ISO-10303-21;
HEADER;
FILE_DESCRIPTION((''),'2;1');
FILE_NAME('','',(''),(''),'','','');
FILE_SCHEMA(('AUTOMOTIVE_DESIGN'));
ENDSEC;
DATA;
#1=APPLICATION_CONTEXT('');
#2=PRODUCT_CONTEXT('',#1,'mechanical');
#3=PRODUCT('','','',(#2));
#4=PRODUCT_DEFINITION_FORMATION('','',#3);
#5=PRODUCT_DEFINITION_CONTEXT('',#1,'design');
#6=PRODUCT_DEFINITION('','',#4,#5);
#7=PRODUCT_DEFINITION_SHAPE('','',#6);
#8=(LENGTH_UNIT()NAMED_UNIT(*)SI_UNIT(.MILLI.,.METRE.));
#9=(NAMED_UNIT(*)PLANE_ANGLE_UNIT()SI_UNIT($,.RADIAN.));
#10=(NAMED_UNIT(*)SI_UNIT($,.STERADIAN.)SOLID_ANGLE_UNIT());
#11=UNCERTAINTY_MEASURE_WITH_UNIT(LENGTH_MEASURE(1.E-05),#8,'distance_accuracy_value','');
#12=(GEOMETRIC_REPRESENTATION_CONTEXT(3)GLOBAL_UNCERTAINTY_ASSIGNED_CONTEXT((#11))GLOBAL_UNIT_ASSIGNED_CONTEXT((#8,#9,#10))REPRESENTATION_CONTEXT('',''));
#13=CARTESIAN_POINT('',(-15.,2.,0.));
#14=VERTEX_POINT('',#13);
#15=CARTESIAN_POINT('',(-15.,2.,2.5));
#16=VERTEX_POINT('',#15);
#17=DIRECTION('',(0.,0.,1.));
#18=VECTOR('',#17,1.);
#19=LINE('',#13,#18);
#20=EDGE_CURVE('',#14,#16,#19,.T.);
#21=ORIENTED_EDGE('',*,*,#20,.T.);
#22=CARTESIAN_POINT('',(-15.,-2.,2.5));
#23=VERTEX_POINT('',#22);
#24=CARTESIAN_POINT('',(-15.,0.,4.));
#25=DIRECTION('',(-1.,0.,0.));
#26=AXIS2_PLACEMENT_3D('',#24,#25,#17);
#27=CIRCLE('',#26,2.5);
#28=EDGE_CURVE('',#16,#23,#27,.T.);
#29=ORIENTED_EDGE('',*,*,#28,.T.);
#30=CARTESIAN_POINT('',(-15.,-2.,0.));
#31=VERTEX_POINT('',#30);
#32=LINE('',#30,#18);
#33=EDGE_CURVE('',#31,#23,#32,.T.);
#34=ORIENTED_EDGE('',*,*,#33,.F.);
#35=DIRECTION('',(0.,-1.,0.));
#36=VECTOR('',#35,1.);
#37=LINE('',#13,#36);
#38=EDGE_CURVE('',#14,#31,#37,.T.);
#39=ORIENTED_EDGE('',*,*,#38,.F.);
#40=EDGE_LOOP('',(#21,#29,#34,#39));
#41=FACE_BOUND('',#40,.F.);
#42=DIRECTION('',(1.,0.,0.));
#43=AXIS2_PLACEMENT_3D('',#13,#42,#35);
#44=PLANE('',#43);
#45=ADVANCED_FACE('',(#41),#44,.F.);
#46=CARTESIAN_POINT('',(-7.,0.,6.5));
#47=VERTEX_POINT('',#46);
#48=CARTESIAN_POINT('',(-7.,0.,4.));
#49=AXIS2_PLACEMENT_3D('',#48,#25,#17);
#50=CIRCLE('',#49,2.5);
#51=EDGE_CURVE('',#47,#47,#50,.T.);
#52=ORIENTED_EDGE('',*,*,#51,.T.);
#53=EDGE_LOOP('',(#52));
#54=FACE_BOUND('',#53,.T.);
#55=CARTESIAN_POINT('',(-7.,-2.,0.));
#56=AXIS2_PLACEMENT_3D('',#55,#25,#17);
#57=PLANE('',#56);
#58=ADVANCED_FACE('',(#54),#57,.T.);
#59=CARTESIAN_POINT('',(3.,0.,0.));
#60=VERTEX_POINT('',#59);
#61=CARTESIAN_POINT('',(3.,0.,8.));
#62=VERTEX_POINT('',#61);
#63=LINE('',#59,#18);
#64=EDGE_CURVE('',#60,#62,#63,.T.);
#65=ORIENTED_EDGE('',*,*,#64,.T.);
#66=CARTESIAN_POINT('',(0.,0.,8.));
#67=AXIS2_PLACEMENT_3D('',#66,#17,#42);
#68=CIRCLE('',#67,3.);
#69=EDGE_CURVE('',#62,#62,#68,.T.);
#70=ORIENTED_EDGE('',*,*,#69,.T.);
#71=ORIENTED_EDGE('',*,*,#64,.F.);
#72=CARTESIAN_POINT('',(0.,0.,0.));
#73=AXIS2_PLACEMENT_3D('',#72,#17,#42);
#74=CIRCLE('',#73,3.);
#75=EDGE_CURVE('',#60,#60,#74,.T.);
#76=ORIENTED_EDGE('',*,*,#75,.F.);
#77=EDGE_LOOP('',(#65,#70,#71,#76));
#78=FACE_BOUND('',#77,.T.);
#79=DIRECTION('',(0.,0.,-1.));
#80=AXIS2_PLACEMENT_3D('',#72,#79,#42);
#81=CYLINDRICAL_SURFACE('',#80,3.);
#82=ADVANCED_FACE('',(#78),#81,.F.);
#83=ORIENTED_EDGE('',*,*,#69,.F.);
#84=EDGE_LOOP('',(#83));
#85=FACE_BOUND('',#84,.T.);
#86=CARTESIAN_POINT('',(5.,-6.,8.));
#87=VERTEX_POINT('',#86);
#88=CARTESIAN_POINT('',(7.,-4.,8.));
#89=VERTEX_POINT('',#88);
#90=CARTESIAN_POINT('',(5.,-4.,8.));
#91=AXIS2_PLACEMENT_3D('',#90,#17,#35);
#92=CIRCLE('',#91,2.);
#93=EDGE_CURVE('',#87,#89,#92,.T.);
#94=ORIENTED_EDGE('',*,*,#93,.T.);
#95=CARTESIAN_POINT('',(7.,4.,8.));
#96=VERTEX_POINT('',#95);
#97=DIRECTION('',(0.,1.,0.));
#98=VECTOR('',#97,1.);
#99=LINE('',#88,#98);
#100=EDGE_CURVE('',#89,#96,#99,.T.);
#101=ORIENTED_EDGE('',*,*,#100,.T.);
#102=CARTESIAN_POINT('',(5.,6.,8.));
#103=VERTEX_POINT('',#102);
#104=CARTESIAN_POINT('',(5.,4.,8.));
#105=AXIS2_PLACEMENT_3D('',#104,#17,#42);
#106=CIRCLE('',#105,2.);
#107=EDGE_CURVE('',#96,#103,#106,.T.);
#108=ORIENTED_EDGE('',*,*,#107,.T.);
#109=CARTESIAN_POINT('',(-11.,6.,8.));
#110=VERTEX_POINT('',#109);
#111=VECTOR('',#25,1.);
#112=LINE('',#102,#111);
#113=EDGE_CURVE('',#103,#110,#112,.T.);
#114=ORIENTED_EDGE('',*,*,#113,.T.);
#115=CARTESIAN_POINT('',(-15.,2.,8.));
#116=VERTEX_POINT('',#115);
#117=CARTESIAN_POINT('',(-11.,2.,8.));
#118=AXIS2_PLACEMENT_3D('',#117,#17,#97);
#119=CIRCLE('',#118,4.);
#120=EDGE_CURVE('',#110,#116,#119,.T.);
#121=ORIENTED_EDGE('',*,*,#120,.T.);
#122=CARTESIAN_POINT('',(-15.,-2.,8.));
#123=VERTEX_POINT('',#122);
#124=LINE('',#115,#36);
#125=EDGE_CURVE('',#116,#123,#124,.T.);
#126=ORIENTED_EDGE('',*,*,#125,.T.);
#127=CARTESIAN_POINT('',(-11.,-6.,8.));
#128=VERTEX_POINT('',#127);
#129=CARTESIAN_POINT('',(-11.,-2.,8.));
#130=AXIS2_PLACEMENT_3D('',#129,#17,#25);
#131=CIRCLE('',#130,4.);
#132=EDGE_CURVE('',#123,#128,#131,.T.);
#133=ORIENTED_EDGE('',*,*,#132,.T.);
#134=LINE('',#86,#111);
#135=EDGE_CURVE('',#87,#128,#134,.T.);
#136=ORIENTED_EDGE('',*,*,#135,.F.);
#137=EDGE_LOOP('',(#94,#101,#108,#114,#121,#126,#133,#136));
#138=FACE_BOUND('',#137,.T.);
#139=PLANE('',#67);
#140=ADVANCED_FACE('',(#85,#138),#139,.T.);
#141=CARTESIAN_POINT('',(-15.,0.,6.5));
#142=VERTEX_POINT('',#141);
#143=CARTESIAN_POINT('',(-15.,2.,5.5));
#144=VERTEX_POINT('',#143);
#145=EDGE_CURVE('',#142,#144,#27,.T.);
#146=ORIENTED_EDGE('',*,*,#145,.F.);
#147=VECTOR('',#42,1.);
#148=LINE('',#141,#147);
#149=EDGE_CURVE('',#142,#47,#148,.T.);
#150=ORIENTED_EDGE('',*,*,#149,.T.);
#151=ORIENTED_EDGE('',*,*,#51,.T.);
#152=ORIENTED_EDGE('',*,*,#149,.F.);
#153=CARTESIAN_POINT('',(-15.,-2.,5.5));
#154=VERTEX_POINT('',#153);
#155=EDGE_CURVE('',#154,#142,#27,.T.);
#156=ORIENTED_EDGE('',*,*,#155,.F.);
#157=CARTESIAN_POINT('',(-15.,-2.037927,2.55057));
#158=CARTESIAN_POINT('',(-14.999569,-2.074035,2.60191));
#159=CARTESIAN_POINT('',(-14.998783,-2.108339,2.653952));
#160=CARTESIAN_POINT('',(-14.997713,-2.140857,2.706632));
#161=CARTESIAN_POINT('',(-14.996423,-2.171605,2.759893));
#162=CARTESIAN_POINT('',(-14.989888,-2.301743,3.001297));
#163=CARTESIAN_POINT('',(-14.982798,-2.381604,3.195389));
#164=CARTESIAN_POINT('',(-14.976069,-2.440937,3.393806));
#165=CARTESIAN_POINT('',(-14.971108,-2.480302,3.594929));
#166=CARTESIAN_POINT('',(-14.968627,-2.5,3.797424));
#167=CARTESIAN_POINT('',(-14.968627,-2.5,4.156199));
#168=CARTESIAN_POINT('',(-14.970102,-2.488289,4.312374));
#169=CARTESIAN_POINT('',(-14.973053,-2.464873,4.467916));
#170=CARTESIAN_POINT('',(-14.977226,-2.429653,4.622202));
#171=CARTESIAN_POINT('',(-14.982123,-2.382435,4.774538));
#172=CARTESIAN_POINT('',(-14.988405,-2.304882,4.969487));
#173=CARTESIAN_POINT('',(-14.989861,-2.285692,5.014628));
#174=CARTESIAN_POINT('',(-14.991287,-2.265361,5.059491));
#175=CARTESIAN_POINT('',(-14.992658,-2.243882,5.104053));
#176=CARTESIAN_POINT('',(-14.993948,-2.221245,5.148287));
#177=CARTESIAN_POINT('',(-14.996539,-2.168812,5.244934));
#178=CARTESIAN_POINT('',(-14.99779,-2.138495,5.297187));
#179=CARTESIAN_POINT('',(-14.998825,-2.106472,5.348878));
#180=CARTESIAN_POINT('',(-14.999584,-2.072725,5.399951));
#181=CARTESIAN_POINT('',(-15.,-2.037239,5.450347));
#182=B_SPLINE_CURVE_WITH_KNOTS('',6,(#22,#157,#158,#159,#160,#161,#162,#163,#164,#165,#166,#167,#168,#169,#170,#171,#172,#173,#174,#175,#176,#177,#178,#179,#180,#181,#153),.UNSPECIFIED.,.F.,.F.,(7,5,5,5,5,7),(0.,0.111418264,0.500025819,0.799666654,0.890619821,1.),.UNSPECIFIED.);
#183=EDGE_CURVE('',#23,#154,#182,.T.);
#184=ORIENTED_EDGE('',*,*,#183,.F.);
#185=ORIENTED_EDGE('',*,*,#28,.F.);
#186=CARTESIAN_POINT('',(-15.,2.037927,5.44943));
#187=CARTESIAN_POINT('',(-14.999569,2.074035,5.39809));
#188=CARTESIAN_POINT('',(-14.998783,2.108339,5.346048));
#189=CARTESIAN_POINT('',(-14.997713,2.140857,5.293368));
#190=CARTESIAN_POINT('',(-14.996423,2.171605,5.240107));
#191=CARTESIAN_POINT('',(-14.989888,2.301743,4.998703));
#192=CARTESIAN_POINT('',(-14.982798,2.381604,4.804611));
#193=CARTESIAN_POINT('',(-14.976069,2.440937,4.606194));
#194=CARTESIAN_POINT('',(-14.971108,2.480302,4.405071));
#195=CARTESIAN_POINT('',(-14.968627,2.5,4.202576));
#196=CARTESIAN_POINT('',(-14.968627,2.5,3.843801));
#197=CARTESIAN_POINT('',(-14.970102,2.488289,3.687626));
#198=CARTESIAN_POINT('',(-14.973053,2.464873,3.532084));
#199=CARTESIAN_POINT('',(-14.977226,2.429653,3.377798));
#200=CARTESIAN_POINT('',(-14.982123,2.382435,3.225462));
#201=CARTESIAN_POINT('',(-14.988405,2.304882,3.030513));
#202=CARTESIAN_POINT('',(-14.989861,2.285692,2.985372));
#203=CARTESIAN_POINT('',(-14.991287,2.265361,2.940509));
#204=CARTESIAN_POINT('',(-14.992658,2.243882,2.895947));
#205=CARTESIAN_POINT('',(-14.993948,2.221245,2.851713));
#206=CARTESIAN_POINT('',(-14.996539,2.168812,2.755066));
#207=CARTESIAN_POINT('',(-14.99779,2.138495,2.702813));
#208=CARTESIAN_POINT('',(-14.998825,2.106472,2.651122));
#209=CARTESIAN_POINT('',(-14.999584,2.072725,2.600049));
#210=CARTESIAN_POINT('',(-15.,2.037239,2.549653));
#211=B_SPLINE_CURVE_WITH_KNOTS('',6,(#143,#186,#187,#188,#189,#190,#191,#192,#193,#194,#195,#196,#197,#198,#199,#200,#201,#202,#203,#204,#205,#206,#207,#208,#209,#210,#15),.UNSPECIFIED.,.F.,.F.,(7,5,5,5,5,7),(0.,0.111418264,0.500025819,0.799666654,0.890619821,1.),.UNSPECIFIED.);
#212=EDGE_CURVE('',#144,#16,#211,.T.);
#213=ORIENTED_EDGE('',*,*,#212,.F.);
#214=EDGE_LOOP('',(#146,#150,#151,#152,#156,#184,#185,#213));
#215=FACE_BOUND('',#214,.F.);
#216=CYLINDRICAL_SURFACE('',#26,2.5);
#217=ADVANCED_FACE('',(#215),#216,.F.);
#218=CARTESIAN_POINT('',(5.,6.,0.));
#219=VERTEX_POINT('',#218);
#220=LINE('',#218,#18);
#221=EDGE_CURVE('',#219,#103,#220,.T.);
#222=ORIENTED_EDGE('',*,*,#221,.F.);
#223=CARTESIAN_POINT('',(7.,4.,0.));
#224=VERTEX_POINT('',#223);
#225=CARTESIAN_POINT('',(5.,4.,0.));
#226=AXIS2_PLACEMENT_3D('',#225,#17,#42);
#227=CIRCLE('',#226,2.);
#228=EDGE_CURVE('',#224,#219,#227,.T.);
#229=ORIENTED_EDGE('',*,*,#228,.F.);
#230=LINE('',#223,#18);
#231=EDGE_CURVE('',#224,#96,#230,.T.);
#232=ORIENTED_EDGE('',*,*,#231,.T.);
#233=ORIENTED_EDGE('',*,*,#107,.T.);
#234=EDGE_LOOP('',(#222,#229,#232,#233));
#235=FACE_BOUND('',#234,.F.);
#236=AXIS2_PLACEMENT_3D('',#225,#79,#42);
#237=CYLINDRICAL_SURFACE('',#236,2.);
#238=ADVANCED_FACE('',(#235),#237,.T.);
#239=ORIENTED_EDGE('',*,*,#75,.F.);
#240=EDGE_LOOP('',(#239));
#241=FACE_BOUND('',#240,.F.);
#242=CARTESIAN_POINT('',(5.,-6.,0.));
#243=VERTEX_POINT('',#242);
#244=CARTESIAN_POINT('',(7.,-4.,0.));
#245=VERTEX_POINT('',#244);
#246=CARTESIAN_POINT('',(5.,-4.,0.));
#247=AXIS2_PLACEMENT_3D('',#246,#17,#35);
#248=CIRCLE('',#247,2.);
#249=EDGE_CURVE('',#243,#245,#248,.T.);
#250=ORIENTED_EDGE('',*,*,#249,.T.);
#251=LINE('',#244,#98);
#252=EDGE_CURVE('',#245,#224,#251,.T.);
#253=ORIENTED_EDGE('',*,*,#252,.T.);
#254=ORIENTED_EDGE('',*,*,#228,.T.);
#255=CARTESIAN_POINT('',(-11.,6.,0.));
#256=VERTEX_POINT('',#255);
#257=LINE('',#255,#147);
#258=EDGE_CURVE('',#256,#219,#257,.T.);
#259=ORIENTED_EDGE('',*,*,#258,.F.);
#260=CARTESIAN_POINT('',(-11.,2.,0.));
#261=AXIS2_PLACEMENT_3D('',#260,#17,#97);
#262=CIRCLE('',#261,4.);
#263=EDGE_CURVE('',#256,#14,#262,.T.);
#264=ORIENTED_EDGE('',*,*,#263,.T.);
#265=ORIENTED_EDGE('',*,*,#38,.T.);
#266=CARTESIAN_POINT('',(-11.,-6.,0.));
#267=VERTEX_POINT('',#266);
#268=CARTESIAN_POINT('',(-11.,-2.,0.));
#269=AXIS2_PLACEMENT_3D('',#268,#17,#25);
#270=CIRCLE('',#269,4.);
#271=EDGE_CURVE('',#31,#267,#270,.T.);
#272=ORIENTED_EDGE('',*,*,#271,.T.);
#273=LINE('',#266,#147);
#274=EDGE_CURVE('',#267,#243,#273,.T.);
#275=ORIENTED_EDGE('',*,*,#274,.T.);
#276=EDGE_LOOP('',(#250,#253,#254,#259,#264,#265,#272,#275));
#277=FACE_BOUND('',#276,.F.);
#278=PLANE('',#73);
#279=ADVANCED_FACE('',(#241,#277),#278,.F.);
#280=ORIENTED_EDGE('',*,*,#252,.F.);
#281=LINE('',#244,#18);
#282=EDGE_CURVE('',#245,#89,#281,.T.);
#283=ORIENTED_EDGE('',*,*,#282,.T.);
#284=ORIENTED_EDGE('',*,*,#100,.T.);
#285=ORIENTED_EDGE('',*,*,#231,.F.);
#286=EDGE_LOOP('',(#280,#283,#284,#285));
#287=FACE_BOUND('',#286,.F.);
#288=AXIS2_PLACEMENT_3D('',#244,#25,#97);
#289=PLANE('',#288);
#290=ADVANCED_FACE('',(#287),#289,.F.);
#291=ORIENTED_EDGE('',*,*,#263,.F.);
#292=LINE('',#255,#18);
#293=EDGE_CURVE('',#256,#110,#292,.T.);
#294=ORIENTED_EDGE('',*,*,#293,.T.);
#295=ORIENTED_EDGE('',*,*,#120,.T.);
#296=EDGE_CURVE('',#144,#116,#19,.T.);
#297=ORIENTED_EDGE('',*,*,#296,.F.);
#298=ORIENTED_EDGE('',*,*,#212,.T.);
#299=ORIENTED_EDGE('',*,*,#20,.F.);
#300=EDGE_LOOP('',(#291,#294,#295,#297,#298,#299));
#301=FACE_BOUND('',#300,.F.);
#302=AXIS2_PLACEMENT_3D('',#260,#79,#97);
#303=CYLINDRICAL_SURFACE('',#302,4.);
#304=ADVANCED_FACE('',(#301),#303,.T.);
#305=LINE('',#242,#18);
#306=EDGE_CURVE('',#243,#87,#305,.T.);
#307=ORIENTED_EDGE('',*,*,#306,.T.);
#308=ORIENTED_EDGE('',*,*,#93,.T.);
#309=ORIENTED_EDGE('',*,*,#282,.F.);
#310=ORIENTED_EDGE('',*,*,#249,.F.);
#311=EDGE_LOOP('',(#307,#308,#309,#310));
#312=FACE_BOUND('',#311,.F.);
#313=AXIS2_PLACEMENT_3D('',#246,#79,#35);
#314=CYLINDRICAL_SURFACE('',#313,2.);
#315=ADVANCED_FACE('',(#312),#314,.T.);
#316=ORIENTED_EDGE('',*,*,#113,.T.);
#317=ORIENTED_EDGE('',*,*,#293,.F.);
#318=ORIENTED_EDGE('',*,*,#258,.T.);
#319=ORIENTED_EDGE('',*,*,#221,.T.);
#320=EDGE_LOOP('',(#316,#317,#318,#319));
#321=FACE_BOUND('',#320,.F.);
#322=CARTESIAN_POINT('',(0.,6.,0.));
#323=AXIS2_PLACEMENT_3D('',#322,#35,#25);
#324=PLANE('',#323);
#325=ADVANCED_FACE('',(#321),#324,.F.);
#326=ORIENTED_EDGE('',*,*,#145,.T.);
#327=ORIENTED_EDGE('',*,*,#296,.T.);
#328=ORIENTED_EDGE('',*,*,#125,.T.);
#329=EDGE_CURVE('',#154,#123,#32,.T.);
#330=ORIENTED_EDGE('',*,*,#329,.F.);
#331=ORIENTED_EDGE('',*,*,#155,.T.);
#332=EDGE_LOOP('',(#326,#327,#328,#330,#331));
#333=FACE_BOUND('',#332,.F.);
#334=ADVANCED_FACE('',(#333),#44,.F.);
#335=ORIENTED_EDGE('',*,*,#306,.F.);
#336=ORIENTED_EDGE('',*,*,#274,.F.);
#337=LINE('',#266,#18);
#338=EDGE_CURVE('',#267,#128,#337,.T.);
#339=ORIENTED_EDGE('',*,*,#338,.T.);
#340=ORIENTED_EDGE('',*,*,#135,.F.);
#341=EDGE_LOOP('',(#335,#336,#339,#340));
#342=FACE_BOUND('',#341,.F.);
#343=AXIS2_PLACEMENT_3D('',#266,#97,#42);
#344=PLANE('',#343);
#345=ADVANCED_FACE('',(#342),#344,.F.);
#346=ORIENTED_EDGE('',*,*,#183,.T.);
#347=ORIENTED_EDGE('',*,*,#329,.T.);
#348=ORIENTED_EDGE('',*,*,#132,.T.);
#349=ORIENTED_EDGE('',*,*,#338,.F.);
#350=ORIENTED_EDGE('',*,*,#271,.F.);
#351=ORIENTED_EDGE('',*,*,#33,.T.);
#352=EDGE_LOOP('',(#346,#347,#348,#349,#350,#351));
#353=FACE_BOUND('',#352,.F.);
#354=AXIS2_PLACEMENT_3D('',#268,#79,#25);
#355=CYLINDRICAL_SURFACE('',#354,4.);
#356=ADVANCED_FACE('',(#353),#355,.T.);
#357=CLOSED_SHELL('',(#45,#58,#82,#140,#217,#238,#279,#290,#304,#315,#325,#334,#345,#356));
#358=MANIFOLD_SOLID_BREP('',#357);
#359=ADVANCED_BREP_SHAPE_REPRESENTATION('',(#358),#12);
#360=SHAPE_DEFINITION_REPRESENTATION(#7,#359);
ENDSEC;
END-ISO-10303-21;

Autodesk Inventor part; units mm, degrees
ref_plane "YZ Plane" through (0, 0, 0) normal (1, 0, 0) x (0, 1, 0)
ref_plane "XZ Plane" through (0, 0, 0) normal (0, 1, 0) x (-1, 0, 0)
ref_plane "XY Plane" through (0, 0, 0) normal (0, 0, 1) x (1, 0, 0)
sketch "Sketch1" plane through (0, 0, 0) normal (0, 0, 1) x (1, 0, 0)
  circle A0 centre (0, 0) radius 3
  line L0 (0, 0) -> (0, 6) construction
  line L1 (0, 6) -> (0, -6) construction
  line L2 (0, -6) -> (5, -6)
  line L3 (7, -4) -> (7, 4)
  line L4 (5, 6) -> (0, 6)
  line L5 (0, 6) -> (-11, 6)
  line L6 (-15, 2) -> (-15, -2)
  line L7 (-11, -6) -> (0, -6)
  arc A1 (7, 4) -> (5, 6) centre (5, 4) ccw
  arc A2 (5, -6) -> (7, -4) centre (5, -4) ccw
  arc A3 (-11, 6) -> (-15, 2) centre (-11, 2) ccw
  arc A4 (-15, -2) -> (-11, -6) centre (-11, -2) ccw
  line L8 (0, 0) -> (9, 0) construction
  line L9 (9, 0) -> (9, 8.7977) construction
  point P0 (7, -6)
  point P1 (-15, 6)
  dimension "d0" = 6
  dimension "d1" = 6
  dimension "d2" = 12
  dimension "d3" = 7
  dimension "d4" = 15
  dimension "d5" = 2
  dimension "d6" = 4
  dimension "d7" = 4
  dimension "d16" = 9
extrude "Extrusion1" add sketch "Sketch1" along normal blind 8
sketch "Sketch3" plane through (-15, -2, 0) normal (-1, 0, 0) x (0, 0, 1)
  line L0 (0, 2) -> (4, 2) construction
  circle A0 centre (4, 2) radius 2.5
  dimension "d17" = 4
  dimension "d18" = 5
extrude "Extrusion3" cut sketch "Sketch3" against normal blind 8
thread "Thread2" size "M5x0.8" class "6H" standard "ANSI Metric M Profile" length 8
equation "\"BendRadius\" = Thickness"
equation "\"BendReliefWidth\" = Thickness"
equation "\"BendReliefDepth\" = 0.5 * Thickness"
equation "\"CornerReliefSize\" = 4 * Thickness"
equation "\"MinimumRemnant\" = 2 * Thickness"
equation "\"TransitionRadius\" = BendRadius"
equation "\"JacobiRadiusSize\" = BendRadius"
equation "\"GapSize\" = Thickness"
equation "\"Thickness\" = 3.048"
properties part number "Mocowanie przesuwnicy" material "Stainless Steel"
